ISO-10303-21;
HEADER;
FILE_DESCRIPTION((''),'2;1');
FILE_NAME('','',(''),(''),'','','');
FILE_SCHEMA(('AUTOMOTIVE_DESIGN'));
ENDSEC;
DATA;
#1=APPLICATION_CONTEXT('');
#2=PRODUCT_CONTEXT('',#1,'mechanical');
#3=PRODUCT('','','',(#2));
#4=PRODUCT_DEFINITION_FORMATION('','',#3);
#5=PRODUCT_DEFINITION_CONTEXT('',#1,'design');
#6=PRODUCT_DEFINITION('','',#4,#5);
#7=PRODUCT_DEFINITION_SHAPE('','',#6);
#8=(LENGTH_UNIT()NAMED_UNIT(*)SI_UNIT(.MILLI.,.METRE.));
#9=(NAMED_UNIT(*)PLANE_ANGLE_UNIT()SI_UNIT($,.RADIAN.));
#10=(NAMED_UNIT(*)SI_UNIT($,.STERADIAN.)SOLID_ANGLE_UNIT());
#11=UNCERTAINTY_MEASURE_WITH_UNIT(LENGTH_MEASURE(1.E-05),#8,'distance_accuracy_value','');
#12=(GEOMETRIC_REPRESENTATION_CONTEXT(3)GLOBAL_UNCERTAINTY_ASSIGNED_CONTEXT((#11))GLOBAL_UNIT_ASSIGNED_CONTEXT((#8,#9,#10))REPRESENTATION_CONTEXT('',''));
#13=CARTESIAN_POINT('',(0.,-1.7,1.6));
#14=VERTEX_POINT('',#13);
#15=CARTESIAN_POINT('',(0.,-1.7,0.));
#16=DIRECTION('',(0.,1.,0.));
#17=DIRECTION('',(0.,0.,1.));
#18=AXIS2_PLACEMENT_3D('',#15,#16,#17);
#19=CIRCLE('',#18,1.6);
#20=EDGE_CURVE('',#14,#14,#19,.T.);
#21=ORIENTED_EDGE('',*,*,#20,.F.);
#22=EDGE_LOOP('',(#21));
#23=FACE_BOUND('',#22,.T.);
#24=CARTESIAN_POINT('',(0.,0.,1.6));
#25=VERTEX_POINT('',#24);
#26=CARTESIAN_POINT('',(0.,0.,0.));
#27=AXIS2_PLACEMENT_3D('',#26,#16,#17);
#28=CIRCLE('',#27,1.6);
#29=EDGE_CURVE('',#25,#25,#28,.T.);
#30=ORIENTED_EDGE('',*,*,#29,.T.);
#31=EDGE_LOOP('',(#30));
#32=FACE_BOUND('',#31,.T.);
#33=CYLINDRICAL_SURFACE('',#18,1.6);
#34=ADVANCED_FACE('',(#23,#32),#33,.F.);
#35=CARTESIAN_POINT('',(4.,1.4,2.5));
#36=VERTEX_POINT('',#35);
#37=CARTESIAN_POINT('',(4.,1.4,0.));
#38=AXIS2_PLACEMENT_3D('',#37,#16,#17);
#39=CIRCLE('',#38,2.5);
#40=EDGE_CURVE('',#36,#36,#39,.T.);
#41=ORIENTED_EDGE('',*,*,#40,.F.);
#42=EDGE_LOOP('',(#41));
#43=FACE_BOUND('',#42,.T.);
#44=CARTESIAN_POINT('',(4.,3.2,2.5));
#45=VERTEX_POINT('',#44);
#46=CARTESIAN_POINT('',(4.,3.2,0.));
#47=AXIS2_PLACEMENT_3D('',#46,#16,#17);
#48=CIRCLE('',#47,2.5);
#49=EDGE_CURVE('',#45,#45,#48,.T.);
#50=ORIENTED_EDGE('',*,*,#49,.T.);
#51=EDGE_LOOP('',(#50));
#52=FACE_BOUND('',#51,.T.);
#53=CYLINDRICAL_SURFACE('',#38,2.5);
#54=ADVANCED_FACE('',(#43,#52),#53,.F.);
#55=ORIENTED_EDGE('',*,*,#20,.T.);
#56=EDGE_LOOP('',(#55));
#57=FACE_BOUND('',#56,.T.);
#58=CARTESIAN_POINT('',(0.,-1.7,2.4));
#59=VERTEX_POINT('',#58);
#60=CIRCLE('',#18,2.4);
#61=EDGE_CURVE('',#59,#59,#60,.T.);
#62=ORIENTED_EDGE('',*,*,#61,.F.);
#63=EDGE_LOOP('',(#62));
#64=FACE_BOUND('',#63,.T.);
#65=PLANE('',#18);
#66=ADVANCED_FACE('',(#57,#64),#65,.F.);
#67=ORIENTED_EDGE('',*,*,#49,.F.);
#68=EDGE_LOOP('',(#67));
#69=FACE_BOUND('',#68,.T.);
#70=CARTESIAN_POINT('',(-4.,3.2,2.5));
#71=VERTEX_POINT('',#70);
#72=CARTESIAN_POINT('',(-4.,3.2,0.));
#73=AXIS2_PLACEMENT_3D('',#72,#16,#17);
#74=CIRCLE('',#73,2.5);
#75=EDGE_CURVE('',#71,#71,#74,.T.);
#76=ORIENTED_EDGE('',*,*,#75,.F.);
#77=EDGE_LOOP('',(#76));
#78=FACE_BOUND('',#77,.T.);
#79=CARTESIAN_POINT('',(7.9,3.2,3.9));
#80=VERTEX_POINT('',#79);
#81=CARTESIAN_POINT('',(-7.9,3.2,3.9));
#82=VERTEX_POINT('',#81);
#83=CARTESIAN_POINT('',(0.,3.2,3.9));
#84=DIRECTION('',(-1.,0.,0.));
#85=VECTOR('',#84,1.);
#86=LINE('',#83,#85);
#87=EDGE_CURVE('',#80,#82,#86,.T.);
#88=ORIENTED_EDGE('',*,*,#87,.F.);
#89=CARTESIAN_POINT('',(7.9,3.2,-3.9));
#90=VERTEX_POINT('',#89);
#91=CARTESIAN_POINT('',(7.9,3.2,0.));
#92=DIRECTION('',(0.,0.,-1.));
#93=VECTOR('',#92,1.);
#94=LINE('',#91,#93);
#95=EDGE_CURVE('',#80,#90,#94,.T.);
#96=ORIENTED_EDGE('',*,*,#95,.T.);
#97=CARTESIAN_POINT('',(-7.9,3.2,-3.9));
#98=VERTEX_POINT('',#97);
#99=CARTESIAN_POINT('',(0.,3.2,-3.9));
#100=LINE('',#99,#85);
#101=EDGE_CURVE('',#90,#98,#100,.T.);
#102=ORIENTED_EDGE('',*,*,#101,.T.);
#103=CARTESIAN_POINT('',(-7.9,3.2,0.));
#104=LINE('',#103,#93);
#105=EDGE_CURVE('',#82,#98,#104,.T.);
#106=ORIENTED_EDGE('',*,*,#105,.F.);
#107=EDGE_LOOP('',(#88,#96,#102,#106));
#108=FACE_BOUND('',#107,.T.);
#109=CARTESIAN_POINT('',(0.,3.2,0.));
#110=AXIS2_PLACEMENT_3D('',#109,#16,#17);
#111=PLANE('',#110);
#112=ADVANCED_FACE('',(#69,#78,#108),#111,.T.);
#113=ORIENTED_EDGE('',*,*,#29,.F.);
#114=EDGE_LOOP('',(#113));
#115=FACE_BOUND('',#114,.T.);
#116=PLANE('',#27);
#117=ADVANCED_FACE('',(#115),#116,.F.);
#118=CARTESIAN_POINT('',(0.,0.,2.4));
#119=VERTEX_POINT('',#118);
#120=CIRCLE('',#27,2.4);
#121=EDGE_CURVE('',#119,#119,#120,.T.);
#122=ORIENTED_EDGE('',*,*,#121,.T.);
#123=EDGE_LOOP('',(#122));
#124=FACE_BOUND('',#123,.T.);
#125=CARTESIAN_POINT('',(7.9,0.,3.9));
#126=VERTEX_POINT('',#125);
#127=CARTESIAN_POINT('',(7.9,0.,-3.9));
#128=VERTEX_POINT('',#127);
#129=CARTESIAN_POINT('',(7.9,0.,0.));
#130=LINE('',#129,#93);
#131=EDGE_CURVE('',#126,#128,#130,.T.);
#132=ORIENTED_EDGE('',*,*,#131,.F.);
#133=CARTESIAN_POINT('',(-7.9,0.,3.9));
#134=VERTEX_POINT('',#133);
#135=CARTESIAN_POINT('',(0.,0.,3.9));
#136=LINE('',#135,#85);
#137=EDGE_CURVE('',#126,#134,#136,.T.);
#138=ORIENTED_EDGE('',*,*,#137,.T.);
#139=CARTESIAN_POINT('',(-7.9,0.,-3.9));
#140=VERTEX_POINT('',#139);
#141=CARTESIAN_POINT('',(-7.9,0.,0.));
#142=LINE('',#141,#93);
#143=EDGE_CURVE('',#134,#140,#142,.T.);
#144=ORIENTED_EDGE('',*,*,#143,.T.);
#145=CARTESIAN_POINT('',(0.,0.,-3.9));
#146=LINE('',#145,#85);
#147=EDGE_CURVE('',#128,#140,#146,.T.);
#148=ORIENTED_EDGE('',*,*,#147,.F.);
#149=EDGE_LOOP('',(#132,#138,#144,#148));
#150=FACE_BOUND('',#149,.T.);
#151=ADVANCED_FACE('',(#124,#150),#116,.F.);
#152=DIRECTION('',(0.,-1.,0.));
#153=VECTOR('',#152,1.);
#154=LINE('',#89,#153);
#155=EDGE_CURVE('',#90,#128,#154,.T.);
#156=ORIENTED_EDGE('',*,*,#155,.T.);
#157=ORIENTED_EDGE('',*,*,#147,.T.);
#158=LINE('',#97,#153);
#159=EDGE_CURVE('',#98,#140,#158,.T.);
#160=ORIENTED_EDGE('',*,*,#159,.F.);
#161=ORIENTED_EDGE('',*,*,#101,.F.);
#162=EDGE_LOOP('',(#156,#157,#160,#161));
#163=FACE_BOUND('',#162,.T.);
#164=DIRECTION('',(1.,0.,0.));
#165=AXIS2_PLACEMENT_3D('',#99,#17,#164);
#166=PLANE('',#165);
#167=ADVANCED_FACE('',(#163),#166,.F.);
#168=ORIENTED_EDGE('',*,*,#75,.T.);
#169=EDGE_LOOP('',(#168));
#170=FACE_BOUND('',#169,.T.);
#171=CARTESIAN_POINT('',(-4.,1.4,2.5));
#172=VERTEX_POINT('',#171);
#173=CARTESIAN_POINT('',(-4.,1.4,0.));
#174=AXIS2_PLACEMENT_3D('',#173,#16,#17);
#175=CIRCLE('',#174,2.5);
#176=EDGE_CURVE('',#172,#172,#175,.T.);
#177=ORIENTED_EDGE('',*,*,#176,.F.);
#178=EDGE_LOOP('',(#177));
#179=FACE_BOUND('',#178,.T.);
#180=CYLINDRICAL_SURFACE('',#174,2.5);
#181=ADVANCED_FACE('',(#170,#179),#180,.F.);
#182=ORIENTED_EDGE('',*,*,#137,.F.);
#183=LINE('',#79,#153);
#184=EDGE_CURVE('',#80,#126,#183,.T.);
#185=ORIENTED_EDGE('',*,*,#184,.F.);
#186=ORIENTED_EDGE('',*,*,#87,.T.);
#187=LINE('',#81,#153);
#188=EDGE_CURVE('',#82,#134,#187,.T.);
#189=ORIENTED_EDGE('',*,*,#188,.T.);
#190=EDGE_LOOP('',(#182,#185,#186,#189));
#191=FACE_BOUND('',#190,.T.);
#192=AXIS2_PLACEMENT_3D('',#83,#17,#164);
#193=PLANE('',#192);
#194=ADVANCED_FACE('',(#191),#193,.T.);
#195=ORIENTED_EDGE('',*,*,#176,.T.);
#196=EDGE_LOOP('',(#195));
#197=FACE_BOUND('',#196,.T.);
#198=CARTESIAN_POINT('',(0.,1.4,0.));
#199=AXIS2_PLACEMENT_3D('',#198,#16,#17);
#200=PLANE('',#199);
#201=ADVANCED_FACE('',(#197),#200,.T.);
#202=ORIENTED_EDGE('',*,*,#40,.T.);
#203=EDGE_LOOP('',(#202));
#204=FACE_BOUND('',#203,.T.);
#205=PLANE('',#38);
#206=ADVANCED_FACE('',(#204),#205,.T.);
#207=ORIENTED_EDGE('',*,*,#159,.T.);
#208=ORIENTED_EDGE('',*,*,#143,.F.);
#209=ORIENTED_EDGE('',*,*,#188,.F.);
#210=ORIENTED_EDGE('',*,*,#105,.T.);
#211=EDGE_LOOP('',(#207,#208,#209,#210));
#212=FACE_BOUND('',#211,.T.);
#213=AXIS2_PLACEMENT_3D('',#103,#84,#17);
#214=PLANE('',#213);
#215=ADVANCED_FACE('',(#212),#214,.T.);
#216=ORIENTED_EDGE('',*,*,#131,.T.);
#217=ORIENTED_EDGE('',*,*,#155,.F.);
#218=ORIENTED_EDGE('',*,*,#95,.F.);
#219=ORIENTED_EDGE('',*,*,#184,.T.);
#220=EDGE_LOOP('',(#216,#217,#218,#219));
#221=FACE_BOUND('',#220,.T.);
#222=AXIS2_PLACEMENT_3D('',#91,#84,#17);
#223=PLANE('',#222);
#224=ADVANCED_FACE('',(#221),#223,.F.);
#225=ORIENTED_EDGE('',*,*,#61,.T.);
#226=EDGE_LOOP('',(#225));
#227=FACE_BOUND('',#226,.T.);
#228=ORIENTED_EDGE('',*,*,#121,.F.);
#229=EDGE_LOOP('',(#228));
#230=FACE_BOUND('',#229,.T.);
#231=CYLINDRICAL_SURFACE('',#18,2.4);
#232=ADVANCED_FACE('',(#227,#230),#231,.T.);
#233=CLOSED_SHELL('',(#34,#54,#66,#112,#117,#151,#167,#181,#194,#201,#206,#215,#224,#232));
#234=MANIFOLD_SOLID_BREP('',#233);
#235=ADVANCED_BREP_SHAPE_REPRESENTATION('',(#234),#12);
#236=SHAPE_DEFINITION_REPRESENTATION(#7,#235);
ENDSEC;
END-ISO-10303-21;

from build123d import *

# Parameters (mm, degrees)
SKETCH_1_W          = 15.8
SKETCH_1_H          = 7.8
SKETCH_1_R          = 2.4
EXTRUDE_1_DEPTH     = 3.2
SKETCH_2_R          = 2.4
SKETCH_2_R_2        = 1.6
EXTRUDE_2_DEPTH     = 1.7
SKETCH_3_R          = 2.5
CUT_EXTRUDE_2_DEPTH = 1.8


with BuildPart() as part:
    # Эскиз1 → Бобышка-Вытянуть1 (new body)
    # profile 1 of 2: a face of its own
    with BuildSketch(Plane(origin=(0, 0, 0), x_dir=(1, 0, 0), z_dir=(0, 1, 0))):
        Rectangle(SKETCH_1_W, SKETCH_1_H)
        Circle(SKETCH_1_R, mode=Mode.SUBTRACT)
    # profile 2 of 2: a face of its own
    with BuildSketch(Plane(origin=(0, 0, 0), x_dir=(1, 0, 0), z_dir=(0, 1, 0))):
        Circle(SKETCH_1_R)
    extrude(amount=EXTRUDE_1_DEPTH)

    # Эскиз2 → Бобышка-Вытянуть2 (add)
    with BuildSketch(Plane(origin=(0, 0, 0), x_dir=(1, 0, 0), z_dir=(0, 1, 0))):
        with Locations(Location((0, 0, 0), (0, 0, 270))):
            Circle(SKETCH_2_R)
        with Locations(Location((0, 0, 0), (0, 0, 270))):
            Circle(SKETCH_2_R_2, mode=Mode.SUBTRACT)
    extrude(amount=-EXTRUDE_2_DEPTH)

    # Эскиз3 → Вырез-Вытянуть2 (cut)
    with BuildSketch(Plane(origin=(0, 3.2, 0), x_dir=(1, 0, 0), z_dir=(0, 1, 0))):
        with Locations(Location((-4, 0, 0), (0, 0, 270))):
            Circle(SKETCH_3_R)
        with Locations(Location((4, 0, 0), (0, 0, 270))):
            Circle(SKETCH_3_R)
    extrude(amount=-CUT_EXTRUDE_2_DEPTH, mode=Mode.SUBTRACT)


solid = part.part
